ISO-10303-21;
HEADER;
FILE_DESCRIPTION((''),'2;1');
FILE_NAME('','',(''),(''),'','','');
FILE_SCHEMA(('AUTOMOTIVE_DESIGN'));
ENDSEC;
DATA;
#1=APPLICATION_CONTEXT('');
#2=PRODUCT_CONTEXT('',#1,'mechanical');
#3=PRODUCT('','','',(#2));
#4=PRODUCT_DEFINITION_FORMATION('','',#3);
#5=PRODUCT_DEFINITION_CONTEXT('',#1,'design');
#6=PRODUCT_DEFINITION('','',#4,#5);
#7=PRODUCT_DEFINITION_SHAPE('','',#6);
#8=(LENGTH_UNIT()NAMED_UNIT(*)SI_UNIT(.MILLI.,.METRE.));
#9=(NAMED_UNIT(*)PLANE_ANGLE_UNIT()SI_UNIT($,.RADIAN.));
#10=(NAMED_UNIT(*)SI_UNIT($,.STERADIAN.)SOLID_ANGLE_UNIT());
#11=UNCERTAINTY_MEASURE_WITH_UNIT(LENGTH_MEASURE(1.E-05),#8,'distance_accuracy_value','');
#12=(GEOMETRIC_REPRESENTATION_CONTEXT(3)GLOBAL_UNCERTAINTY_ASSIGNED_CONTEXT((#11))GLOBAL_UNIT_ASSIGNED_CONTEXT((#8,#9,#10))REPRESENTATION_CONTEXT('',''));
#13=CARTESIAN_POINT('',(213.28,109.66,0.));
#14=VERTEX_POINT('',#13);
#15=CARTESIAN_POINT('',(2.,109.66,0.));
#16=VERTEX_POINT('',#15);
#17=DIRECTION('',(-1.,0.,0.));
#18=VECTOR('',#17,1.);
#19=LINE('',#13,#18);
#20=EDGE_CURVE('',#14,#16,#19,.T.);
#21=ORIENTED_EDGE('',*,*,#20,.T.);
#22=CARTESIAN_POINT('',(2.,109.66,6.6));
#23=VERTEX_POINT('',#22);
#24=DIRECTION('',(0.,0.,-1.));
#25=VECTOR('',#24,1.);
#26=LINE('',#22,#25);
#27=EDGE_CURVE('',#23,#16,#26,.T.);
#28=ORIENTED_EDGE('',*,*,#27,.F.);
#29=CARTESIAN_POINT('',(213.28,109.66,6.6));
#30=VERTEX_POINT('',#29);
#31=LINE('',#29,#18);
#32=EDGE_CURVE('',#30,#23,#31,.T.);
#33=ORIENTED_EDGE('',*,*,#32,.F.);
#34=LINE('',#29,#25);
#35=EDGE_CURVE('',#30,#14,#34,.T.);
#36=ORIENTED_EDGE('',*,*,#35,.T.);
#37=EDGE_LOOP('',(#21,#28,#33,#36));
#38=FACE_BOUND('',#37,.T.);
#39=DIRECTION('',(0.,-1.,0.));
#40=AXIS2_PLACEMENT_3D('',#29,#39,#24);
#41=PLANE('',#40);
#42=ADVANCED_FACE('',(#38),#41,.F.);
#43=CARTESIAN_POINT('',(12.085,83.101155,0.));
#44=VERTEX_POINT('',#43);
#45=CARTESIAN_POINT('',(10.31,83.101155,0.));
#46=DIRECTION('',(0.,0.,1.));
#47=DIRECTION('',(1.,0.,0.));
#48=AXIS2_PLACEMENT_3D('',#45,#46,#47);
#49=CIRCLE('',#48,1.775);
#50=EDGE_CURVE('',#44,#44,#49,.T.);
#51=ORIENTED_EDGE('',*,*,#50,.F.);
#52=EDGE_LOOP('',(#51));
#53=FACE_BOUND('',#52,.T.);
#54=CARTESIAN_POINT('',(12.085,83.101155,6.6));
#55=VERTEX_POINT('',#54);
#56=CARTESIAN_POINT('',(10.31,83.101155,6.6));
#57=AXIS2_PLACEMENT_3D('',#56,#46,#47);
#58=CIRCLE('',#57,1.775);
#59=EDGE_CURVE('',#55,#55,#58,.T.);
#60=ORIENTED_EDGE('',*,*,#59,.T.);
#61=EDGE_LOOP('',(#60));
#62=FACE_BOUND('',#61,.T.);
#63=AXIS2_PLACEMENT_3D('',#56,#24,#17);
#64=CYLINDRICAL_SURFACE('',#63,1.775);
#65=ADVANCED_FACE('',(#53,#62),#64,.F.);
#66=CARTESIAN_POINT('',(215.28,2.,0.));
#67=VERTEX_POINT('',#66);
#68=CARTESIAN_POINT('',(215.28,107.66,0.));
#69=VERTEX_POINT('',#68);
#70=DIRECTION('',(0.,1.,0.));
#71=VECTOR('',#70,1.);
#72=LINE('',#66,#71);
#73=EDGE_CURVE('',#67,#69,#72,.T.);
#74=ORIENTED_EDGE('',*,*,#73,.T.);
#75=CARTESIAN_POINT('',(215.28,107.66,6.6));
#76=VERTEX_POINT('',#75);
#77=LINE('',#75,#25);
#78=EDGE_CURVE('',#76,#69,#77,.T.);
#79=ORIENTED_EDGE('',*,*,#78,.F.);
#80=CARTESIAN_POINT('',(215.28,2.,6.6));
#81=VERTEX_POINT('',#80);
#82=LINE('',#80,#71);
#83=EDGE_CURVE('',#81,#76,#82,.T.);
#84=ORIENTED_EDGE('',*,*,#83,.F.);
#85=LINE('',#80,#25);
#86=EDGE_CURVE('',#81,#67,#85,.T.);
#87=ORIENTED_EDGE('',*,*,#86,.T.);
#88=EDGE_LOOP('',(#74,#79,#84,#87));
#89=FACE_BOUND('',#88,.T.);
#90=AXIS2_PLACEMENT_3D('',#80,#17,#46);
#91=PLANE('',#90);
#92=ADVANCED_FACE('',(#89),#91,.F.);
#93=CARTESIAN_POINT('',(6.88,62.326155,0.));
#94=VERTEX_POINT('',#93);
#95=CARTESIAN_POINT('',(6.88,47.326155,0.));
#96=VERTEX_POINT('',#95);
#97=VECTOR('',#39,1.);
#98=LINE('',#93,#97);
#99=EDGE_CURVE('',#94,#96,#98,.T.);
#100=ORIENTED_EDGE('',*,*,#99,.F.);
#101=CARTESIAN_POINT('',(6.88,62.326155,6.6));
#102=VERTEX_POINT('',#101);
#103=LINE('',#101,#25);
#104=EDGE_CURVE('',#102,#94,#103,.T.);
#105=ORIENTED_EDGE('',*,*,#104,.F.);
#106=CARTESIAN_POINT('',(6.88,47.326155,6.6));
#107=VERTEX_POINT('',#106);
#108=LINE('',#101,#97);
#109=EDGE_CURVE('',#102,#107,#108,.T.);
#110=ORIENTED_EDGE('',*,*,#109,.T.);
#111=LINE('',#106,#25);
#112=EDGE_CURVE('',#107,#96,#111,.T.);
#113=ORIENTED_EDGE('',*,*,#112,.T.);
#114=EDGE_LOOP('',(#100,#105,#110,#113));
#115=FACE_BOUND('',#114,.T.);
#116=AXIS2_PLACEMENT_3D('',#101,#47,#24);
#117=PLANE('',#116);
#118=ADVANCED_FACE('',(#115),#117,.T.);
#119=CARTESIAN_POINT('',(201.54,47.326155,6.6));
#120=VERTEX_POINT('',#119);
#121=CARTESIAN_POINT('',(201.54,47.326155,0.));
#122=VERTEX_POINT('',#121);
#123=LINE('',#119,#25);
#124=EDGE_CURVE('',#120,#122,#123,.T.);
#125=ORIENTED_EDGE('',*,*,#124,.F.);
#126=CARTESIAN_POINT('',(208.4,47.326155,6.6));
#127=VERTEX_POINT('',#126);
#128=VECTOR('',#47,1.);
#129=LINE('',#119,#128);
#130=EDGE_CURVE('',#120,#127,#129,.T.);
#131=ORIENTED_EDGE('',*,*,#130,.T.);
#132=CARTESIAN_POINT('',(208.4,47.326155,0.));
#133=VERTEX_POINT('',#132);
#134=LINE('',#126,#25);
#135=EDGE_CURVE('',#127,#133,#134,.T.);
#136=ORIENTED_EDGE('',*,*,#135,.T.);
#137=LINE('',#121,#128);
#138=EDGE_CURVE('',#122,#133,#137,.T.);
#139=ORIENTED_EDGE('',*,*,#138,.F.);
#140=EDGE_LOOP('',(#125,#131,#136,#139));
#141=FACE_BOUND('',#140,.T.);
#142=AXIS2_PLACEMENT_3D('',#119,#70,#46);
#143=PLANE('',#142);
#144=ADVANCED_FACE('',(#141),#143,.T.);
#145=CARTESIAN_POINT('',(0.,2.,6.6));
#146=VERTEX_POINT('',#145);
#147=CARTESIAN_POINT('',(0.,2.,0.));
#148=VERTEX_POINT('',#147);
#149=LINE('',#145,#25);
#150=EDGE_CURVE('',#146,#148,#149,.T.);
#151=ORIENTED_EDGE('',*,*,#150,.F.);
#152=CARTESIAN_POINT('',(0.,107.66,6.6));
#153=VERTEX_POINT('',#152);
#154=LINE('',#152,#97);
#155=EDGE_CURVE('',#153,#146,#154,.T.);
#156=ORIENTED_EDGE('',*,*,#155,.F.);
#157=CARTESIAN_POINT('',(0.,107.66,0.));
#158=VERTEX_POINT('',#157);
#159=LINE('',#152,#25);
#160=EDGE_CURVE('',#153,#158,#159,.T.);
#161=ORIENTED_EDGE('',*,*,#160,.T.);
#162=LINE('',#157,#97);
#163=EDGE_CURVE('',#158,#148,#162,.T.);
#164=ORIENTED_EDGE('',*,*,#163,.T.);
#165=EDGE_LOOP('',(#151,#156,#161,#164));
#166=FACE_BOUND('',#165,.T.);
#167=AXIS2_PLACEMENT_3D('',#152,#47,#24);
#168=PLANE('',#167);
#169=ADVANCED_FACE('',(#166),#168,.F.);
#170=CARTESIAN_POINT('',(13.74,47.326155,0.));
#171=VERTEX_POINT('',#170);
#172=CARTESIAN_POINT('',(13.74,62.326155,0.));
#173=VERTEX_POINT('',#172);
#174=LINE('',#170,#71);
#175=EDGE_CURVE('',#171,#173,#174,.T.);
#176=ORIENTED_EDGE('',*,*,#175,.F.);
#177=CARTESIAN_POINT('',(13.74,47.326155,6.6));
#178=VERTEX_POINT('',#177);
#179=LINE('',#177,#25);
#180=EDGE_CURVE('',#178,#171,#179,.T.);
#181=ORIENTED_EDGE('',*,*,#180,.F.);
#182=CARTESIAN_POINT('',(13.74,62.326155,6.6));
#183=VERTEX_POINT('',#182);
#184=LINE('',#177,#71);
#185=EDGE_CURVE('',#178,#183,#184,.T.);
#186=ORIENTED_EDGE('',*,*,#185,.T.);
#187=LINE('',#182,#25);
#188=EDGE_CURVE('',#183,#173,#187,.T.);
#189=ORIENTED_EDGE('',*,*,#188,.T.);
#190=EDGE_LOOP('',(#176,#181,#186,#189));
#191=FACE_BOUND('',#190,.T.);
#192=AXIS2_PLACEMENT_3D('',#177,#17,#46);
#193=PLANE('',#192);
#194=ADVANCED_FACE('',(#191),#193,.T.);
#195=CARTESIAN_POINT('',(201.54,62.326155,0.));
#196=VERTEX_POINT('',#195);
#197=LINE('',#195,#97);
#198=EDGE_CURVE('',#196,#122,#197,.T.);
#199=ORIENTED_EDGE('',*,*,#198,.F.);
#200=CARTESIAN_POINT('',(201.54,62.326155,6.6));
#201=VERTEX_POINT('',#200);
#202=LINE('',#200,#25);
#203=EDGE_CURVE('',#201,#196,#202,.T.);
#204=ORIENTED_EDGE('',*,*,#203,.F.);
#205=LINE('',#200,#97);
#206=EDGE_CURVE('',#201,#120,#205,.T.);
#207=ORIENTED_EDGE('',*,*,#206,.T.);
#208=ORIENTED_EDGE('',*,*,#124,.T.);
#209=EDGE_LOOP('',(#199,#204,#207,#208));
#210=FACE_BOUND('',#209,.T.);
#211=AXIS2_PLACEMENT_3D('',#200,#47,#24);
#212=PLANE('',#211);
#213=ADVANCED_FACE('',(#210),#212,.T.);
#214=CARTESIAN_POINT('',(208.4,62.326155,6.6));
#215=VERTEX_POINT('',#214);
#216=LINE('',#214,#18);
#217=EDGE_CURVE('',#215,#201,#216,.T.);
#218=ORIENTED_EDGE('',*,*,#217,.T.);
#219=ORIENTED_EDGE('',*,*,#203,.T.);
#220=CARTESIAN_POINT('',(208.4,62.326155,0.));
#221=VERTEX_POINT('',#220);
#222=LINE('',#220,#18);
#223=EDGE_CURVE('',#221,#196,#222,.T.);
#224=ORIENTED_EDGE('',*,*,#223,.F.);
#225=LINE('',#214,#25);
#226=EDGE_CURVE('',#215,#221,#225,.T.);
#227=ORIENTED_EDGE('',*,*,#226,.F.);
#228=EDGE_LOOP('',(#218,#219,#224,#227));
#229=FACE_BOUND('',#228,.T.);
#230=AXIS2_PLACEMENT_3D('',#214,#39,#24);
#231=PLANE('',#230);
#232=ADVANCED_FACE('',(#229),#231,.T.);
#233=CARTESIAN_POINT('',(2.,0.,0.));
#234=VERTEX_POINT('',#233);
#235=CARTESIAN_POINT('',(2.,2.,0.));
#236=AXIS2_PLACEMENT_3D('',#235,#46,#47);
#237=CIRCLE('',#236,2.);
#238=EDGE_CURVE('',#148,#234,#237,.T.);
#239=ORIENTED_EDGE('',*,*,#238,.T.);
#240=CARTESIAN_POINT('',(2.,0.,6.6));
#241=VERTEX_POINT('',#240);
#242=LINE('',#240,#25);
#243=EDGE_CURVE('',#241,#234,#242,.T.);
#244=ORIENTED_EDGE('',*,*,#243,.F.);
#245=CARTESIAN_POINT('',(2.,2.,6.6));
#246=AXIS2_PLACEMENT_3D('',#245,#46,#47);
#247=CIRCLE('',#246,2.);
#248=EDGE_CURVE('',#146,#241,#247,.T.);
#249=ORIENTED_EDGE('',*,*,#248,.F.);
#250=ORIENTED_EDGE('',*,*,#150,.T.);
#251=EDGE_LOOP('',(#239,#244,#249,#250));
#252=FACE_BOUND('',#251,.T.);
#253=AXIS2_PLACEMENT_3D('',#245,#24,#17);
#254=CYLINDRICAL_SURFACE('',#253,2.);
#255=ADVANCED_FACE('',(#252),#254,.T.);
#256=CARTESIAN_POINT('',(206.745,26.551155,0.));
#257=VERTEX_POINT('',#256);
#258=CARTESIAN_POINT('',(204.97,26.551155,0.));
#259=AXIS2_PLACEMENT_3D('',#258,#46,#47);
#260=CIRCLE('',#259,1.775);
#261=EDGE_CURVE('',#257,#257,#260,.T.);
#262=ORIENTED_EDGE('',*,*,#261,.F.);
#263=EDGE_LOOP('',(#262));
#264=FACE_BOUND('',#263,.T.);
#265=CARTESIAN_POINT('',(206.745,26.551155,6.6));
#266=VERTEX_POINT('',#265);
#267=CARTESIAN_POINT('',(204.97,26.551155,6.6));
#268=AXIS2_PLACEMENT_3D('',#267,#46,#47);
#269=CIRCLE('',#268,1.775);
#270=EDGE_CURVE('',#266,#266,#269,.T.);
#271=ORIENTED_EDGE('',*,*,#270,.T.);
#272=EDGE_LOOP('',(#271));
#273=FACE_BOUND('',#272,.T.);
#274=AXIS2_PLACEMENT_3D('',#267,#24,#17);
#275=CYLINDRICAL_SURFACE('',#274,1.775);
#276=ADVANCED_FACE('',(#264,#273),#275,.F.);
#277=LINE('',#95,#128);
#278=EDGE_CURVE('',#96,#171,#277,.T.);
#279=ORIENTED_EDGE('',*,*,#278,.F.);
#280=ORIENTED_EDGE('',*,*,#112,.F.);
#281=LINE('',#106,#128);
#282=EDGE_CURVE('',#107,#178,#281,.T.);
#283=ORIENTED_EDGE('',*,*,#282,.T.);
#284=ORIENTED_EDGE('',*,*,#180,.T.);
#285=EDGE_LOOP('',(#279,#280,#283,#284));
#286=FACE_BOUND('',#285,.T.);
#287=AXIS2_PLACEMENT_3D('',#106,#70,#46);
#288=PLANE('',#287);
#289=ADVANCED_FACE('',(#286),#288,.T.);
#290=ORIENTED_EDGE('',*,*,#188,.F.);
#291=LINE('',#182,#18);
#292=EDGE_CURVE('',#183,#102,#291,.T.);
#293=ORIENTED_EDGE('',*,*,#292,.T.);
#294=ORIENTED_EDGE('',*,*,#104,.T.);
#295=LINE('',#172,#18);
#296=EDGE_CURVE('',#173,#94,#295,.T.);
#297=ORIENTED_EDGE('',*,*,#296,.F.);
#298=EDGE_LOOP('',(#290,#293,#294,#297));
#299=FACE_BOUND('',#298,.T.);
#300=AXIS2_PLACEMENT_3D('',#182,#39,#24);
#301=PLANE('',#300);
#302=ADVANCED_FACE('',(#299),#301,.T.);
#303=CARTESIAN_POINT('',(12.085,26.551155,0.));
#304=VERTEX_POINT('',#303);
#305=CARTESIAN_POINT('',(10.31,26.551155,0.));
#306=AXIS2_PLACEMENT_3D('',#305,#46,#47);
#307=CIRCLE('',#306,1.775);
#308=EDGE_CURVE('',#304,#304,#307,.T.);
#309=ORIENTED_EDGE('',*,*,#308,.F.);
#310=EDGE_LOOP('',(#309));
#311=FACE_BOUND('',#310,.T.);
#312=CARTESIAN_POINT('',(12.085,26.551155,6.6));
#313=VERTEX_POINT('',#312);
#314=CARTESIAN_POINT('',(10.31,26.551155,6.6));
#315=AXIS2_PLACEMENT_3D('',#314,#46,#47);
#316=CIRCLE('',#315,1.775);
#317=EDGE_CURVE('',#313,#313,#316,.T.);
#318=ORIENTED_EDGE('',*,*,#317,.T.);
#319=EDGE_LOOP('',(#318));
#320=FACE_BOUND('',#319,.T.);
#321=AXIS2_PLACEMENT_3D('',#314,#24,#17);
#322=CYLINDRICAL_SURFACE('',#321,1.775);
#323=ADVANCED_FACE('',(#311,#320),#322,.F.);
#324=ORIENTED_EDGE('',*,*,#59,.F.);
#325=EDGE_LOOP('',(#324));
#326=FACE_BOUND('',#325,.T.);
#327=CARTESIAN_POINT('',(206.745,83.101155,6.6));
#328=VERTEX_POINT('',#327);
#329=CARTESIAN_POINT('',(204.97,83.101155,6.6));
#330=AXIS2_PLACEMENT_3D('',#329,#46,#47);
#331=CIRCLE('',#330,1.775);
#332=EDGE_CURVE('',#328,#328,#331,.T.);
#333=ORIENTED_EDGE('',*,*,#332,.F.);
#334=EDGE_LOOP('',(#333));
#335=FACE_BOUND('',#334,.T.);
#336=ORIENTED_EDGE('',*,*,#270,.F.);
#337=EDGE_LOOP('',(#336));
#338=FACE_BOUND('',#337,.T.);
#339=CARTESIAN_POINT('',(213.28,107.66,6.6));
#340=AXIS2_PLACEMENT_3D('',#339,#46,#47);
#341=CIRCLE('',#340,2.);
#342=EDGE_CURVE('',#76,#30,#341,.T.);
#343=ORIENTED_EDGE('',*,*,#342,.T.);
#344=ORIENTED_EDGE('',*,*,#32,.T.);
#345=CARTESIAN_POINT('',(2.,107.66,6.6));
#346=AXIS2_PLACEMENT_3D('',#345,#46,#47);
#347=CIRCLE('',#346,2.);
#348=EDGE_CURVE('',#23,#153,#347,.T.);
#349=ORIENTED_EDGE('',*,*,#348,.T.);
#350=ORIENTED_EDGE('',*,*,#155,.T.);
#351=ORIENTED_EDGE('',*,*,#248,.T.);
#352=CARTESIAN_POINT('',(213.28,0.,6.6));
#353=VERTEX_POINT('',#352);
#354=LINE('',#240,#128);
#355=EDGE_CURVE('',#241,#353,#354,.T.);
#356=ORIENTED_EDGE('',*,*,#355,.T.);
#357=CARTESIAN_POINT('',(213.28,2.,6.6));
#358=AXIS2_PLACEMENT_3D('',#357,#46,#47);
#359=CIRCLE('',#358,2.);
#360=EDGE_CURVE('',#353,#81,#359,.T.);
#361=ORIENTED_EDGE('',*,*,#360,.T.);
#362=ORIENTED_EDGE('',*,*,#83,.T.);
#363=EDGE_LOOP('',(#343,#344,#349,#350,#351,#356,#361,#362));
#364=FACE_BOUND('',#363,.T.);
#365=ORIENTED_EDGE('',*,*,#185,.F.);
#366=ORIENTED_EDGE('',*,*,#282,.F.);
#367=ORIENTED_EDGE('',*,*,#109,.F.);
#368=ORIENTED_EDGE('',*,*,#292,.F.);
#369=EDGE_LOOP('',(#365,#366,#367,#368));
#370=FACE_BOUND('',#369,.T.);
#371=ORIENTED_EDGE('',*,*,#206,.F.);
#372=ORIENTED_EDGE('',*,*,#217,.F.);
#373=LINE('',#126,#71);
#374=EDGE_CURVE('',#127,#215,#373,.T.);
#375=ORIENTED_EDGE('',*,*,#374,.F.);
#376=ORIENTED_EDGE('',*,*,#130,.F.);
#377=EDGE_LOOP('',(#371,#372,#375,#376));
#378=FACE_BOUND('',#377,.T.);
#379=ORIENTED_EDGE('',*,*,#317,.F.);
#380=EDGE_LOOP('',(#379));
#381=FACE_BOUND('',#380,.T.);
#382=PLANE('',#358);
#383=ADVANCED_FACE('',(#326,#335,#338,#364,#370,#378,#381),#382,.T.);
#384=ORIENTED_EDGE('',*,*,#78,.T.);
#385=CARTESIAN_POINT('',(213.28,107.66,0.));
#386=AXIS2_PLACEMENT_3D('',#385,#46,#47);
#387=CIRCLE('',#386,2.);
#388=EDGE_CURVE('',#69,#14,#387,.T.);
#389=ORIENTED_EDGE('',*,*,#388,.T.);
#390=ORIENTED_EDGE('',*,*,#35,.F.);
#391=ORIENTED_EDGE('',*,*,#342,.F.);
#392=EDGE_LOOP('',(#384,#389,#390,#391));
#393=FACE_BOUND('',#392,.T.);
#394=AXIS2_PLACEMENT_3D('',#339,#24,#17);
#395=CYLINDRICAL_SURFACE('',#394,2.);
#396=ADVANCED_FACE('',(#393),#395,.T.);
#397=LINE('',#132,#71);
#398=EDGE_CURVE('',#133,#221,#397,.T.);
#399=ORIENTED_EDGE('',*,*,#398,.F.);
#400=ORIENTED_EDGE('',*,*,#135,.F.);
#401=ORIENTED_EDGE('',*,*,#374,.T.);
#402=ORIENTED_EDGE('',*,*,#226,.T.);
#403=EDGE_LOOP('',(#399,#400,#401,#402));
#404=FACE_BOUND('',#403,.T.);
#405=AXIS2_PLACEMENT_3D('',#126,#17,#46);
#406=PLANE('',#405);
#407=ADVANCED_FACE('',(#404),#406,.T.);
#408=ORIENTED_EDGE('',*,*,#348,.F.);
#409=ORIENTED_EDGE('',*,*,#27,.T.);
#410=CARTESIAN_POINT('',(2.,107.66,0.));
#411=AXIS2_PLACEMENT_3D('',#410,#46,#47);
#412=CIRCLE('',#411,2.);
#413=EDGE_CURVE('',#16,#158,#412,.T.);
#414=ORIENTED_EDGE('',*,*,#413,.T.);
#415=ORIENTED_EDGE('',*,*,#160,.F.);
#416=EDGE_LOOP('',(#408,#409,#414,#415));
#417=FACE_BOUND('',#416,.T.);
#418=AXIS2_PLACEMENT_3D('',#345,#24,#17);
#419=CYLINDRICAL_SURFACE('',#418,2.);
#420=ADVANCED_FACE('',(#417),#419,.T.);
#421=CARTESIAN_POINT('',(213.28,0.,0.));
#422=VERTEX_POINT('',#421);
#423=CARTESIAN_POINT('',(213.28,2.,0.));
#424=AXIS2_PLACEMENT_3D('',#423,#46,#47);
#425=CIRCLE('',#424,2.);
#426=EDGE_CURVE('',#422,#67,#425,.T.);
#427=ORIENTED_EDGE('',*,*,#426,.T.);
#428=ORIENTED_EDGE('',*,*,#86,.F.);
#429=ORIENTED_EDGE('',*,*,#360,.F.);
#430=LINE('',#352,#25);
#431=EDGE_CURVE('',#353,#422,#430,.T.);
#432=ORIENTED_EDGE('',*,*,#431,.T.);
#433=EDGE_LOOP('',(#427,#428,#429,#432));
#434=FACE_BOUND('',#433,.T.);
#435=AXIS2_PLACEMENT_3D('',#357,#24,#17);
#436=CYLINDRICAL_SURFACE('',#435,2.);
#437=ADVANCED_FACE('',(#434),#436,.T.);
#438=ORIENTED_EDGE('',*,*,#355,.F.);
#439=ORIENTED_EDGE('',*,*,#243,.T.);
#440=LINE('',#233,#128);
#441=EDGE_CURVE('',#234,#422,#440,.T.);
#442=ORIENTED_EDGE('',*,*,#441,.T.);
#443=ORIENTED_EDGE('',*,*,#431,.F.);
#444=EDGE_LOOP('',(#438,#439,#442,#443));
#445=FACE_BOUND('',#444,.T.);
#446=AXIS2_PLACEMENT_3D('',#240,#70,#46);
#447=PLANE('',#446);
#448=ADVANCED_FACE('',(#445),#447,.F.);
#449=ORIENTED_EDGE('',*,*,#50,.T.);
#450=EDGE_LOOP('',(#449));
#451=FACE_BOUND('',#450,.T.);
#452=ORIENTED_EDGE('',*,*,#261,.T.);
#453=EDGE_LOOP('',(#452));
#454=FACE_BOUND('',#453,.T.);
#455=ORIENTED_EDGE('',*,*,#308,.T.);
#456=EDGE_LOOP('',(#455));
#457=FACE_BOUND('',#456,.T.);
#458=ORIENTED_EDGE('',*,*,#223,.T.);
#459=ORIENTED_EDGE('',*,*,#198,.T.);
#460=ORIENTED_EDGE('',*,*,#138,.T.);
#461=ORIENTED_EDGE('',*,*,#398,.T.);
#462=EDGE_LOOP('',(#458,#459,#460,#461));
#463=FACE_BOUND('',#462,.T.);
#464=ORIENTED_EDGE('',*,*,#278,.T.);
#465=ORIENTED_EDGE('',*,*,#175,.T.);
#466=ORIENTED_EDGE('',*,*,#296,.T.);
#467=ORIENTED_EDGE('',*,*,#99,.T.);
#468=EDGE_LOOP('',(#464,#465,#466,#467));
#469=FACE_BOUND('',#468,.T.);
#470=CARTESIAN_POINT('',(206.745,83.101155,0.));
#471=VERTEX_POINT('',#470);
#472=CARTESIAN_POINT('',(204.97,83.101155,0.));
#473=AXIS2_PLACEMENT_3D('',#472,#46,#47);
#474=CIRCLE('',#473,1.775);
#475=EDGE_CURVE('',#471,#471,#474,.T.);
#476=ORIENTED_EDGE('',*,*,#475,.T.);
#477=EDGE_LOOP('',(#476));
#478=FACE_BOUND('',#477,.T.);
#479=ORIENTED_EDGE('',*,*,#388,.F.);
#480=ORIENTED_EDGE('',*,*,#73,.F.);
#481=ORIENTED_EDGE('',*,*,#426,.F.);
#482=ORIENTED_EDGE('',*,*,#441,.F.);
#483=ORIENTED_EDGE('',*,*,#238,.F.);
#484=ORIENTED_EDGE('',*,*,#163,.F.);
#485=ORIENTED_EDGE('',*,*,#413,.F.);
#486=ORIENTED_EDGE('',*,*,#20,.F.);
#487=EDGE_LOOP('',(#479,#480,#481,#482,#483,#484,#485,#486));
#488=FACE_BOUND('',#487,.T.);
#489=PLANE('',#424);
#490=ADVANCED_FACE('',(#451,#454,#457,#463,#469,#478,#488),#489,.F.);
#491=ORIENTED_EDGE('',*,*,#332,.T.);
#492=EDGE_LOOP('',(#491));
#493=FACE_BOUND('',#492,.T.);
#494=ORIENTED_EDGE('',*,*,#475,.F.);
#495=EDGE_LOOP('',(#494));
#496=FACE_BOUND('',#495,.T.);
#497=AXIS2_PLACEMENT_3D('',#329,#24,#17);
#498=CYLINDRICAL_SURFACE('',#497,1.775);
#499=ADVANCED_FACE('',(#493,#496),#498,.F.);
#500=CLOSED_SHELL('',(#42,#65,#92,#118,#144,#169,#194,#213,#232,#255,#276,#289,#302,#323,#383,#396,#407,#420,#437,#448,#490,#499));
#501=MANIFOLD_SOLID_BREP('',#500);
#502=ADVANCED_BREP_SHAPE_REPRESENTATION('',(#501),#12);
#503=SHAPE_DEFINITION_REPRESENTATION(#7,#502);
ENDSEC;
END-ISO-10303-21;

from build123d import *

# Parameters (mm, degrees)
MODEL_R             = 1.775
MODEL_W             = 6.859999999
MODEL_H             = 15
MODEL_W_2           = 6.860000001
BOSS_EXTRUDE1_DEPTH = 6.6


with BuildPart() as part:
    # Model → Boss-Extrude1 (new body)
    with BuildSketch(Plane.XY):
        with BuildLine():
            Line((213.279999903, 109.659999999), (2.000000001, 109.659999999))
            ThreePointArc((2.000000001, 109.659999999), (0.585786439, 109.074213562), (0, 107.660000001))
            Line((0, 107.660000001), (0, 2.000000001))
            ThreePointArc((0, 2.000000001), (0.585786438, 0.585786438), (2.000000001, 0))
            Line((2.000000001, 0), (213.279999903, 0))
            ThreePointArc((213.279999903, 0), (214.694213466, 0.585786438), (215.279999904, 2.000000001))
            Line((215.279999904, 2.000000001), (215.279999904, 107.660000001))
            ThreePointArc((215.279999904, 107.660000001), (214.694213465, 109.074213562), (213.279999903, 109.659999999))
        make_face()
        with Locations((10.31, 83.101155497)):
            Circle(MODEL_R, mode=Mode.SUBTRACT)
        with Locations((10.31, 26.551155498)):
            Circle(MODEL_R, mode=Mode.SUBTRACT)
        with Locations((204.970000001, 26.551155498)):
            Circle(MODEL_R, mode=Mode.SUBTRACT)
        with Locations((204.970000001, 83.101155497)):
            Circle(MODEL_R, mode=Mode.SUBTRACT)
        with Locations((204.97, 54.826155497)):
            Rectangle(MODEL_W, MODEL_H, mode=Mode.SUBTRACT)
        with Locations((10.31, 54.826155497)):
            Rectangle(MODEL_W_2, MODEL_H, mode=Mode.SUBTRACT)
    extrude(amount=BOSS_EXTRUDE1_DEPTH)


solid = part.part
